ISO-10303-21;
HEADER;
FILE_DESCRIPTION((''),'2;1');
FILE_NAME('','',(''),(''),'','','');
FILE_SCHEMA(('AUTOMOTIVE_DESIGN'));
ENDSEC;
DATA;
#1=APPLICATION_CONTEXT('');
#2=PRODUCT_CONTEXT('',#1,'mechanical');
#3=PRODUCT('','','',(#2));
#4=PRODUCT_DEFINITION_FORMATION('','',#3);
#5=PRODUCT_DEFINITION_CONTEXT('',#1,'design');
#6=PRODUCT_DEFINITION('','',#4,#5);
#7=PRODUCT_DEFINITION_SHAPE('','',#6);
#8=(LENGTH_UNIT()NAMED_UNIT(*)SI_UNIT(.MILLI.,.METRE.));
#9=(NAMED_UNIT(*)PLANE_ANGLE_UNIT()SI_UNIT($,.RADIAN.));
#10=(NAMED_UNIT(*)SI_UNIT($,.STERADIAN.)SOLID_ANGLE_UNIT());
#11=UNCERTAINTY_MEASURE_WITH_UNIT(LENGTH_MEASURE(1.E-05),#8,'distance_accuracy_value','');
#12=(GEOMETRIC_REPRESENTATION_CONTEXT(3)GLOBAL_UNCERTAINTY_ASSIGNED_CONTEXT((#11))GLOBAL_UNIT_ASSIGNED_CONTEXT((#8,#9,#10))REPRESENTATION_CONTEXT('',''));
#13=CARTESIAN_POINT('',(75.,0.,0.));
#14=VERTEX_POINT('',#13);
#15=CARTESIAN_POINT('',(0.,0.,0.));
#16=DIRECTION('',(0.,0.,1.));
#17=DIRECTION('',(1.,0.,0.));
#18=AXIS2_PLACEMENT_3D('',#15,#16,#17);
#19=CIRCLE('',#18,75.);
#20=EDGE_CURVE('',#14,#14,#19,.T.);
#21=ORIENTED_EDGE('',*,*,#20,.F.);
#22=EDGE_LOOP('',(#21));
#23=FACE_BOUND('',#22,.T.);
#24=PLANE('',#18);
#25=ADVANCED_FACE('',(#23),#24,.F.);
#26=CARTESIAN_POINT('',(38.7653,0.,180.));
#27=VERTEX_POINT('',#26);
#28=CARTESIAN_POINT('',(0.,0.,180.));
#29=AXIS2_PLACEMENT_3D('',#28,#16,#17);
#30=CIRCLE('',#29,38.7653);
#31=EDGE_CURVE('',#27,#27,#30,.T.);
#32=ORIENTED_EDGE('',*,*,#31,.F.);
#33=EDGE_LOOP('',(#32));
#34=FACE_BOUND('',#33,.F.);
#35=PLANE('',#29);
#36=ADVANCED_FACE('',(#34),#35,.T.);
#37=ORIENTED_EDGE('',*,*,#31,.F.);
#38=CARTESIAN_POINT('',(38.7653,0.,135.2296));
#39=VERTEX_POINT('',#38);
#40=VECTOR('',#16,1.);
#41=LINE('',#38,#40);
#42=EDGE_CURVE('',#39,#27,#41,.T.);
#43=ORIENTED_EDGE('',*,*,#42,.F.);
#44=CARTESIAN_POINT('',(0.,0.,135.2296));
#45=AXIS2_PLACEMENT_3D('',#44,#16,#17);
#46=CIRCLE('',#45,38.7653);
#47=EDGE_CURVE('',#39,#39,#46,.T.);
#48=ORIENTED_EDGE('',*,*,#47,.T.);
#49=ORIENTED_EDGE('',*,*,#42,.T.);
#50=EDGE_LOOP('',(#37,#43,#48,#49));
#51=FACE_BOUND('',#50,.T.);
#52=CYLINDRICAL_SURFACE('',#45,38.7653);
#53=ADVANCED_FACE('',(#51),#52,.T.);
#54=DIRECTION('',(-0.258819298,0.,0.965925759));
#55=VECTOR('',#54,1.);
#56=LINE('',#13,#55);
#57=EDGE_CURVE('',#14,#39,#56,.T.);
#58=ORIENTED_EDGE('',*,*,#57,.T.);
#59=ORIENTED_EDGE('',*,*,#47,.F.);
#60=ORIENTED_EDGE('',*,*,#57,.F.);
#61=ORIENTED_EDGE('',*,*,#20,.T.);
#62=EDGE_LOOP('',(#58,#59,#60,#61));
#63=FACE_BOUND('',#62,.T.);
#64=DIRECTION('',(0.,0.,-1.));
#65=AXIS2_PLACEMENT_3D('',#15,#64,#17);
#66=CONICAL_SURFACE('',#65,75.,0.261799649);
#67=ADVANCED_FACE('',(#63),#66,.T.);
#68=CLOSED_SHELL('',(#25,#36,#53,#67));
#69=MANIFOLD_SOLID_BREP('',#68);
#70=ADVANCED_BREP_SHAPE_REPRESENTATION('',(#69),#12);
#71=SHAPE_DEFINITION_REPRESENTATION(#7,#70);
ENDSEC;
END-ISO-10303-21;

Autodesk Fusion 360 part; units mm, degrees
sketch "Sketch1" plane through (0, 0, 0) normal (0, 1, 0) x (1, 0, 0)
sketch "Sketch2" plane through (0, 0, 0) normal (0, 1, 0) x (1, 0, 0)
  line L0 (0, 0) -> (0, -180)
  line L1 (0, 0) -> (75, 0)
  line L2 (75, 0) -> (38.7653, -135.2296)
  line L3 (38.7653, -135.2296) -> (38.7653, -180)
  line L4 (0, -180) -> (38.7653, -180)
  dimension "d1" = 180
  dimension "d2" = 75
  dimension "d3" = 75
  dimension "d4" = 140
revolve "Revolve1" add sketch "Sketch2" angle 360 about axis through (0, 0, 0) along (0, 0, 1)
